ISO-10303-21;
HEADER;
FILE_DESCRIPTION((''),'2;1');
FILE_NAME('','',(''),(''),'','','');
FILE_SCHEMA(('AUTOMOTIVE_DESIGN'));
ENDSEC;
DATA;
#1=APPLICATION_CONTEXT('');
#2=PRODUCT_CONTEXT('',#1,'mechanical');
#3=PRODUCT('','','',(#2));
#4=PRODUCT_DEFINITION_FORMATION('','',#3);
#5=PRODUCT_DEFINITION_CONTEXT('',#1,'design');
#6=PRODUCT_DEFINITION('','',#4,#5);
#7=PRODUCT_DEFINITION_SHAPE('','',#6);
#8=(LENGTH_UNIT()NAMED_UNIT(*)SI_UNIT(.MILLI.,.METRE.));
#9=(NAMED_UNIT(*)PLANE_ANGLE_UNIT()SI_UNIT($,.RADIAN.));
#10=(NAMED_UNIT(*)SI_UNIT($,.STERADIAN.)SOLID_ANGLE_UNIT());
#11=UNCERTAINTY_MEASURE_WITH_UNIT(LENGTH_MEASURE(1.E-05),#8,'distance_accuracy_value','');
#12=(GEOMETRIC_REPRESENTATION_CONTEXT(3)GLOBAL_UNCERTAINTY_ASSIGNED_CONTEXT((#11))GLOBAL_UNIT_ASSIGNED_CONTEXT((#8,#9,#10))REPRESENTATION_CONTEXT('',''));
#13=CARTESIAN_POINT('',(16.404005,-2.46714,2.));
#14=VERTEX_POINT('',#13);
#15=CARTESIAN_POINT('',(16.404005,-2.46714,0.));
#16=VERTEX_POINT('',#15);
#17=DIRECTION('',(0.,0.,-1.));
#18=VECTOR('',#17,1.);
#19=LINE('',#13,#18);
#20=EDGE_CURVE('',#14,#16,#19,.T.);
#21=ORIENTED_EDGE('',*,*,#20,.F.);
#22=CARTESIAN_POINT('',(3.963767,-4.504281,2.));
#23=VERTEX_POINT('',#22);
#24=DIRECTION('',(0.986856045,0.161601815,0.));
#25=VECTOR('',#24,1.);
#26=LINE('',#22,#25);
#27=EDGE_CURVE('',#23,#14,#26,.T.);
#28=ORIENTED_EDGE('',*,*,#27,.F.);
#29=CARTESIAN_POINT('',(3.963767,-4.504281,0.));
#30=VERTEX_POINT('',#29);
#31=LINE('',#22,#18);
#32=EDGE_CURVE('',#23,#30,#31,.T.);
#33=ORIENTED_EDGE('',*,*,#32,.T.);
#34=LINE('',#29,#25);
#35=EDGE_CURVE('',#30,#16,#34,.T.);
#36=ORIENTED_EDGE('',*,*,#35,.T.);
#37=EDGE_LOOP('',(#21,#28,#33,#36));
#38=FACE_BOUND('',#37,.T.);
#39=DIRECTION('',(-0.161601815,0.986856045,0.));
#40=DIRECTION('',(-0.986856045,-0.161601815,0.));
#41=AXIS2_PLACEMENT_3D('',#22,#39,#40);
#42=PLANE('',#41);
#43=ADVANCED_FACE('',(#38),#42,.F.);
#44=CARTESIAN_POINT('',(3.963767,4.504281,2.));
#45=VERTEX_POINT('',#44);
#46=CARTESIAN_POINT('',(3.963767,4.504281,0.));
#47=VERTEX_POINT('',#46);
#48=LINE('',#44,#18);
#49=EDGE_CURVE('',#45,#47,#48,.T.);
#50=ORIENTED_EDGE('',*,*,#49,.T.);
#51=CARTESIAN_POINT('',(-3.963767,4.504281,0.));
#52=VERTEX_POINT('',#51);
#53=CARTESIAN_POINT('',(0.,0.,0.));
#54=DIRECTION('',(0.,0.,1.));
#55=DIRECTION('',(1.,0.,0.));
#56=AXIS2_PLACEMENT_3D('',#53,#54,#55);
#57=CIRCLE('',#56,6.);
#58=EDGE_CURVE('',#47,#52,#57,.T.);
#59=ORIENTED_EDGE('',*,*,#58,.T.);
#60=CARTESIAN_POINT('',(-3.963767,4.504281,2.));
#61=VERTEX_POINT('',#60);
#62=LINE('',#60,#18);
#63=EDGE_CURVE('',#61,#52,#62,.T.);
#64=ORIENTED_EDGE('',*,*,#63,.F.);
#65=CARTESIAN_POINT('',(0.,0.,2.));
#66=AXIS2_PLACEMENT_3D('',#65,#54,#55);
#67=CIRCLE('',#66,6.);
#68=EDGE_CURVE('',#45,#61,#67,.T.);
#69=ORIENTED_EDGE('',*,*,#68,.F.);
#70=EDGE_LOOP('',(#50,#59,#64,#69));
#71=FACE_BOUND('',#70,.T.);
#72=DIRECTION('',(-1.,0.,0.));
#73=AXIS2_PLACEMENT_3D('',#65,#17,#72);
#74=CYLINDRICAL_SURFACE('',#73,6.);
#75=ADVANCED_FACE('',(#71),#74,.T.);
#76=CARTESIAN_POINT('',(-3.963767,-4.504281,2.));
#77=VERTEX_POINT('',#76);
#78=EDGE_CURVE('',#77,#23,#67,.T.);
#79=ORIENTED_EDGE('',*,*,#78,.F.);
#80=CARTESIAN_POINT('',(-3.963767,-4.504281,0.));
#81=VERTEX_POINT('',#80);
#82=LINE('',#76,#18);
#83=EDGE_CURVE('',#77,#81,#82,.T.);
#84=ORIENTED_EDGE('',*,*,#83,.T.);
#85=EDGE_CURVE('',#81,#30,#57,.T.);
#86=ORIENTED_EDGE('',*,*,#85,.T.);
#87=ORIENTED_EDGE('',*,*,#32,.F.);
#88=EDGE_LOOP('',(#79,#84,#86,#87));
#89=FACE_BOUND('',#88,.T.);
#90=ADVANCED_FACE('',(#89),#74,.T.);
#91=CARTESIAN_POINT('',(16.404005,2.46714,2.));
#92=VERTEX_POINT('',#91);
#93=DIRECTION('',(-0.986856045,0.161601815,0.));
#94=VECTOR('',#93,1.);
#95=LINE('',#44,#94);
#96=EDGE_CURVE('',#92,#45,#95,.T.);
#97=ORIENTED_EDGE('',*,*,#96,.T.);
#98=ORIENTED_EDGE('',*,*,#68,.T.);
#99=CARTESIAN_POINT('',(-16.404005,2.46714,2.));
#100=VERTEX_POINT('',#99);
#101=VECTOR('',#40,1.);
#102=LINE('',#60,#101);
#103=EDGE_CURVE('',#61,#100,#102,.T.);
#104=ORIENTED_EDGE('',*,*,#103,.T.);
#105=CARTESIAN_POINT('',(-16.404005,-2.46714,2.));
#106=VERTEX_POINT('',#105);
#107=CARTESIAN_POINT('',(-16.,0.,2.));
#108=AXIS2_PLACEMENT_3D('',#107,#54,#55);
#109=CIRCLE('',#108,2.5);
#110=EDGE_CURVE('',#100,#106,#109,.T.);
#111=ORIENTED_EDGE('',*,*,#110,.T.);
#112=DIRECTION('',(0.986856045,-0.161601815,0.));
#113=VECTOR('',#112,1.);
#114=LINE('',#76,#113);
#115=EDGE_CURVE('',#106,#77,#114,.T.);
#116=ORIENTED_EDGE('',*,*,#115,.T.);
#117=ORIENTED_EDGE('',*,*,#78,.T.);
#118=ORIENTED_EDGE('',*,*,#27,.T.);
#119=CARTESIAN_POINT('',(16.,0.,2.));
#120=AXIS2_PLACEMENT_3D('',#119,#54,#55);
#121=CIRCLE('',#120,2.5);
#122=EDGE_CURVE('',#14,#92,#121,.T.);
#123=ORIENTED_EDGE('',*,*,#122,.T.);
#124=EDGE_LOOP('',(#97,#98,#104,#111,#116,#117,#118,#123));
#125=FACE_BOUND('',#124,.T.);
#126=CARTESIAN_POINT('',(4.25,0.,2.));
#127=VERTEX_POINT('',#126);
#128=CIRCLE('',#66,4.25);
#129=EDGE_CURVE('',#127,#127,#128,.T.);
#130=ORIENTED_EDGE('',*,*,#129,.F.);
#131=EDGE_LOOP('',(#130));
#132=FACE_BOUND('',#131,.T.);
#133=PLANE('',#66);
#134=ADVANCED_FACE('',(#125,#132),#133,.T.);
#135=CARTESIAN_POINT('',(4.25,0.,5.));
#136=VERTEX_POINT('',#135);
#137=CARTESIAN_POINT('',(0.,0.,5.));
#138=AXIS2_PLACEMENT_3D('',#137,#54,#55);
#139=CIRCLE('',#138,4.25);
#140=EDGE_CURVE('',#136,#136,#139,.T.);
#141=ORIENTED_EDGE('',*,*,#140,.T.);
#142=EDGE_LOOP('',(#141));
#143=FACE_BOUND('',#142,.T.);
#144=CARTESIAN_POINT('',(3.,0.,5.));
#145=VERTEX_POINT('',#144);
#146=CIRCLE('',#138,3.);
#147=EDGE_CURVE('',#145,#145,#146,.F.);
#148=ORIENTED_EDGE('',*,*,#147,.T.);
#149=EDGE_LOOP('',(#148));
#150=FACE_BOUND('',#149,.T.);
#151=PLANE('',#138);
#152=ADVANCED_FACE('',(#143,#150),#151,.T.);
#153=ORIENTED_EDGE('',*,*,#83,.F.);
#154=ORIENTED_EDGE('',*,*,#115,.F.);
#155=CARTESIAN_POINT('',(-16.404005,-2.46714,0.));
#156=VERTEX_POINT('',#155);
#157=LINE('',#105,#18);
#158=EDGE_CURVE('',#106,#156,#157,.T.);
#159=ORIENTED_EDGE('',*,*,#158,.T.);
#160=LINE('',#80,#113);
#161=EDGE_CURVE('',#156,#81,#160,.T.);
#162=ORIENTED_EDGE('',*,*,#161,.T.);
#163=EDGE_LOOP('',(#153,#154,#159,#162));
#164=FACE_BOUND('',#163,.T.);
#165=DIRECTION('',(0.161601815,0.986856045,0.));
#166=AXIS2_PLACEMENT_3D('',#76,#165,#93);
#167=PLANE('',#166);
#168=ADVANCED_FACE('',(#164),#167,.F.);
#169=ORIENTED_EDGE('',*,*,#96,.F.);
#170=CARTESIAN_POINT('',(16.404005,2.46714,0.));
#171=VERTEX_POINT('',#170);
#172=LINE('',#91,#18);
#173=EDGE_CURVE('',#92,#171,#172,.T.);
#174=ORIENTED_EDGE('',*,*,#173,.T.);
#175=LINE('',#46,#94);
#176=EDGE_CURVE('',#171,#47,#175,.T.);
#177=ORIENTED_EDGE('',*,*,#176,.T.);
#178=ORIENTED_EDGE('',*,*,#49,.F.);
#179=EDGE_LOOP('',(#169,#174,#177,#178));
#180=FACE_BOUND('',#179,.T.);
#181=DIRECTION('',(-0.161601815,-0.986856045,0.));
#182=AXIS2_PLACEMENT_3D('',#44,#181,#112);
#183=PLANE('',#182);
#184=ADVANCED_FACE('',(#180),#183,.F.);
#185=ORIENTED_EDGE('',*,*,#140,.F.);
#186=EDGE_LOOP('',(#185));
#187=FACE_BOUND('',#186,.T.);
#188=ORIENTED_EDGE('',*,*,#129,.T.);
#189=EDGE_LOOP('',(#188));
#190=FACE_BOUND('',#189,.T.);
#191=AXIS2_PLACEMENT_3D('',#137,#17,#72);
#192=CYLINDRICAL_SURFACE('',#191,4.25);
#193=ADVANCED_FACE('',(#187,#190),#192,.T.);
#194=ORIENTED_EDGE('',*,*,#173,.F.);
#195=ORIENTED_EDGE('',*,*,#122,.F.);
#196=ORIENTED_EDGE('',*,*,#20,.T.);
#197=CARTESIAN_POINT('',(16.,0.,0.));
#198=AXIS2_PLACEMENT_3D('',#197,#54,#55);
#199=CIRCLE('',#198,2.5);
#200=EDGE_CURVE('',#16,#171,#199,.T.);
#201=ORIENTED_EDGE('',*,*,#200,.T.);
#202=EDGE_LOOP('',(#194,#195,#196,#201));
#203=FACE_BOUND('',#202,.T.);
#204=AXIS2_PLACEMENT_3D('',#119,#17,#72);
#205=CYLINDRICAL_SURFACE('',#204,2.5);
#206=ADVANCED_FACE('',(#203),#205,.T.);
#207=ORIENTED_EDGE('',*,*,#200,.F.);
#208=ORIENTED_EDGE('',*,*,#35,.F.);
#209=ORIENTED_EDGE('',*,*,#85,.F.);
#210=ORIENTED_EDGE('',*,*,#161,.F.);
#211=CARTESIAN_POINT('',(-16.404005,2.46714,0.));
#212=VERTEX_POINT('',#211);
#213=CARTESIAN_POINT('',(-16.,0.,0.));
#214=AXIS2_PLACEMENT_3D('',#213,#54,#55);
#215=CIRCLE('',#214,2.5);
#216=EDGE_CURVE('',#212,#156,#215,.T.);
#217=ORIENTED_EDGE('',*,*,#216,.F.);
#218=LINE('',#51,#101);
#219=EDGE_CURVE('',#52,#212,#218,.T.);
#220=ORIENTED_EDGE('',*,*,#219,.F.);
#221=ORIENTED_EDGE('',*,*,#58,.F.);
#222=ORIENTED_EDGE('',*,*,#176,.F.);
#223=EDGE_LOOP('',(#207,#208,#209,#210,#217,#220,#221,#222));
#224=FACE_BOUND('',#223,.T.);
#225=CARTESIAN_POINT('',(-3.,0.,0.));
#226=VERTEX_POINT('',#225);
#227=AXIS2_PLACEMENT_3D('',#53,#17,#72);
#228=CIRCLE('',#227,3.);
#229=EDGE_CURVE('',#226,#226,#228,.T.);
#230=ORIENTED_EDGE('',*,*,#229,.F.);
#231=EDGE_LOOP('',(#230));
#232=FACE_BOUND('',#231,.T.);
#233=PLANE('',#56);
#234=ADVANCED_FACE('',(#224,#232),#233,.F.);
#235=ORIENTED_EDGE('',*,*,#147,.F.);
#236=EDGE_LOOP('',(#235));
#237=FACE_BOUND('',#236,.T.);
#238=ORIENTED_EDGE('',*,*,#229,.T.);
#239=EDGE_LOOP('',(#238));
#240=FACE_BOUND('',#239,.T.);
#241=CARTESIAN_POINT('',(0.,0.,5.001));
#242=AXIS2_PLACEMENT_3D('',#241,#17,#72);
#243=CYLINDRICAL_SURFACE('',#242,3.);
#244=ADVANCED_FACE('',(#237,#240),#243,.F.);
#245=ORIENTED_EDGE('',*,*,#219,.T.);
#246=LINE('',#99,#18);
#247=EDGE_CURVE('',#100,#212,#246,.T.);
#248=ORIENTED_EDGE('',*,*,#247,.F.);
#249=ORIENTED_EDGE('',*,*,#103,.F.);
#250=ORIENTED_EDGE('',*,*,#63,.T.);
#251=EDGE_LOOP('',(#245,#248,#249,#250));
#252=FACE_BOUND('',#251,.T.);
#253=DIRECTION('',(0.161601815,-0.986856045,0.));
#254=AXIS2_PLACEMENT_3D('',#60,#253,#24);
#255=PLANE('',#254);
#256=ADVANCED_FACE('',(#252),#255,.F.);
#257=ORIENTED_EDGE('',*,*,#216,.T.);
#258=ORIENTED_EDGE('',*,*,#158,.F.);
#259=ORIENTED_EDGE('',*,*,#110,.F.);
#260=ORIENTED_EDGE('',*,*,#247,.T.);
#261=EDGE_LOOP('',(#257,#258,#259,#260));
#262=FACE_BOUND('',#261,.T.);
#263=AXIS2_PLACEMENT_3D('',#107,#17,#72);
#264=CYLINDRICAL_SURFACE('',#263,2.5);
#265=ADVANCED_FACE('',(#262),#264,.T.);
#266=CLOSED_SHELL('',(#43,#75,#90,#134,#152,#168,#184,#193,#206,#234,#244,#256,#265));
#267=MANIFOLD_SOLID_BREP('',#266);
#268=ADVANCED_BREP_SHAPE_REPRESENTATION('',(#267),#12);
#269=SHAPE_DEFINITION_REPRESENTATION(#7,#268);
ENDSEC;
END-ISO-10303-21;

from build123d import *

# Parameters (mm, degrees)
BOSS_EXTRUDE1_DEPTH = 2
SKETCH2_R           = 4.25
BOSS_EXTRUDE2_DEPTH = 3
CUT_EXTRUDE1_REACH  = 22.081
SKETCH3_R           = 3


with BuildPart() as part:
    # Sketch1 → Boss-Extrude1 (new body)
    with BuildSketch(Plane.XY):
        with BuildLine():
            Line((-3.963767369, 4.504281102), (-16.404004536, 2.467140112))
            ThreePointArc((-16.404004536, 2.467140112), (-18.5, -1e-09), (-16.404004536, -2.467140113))
            Line((-16.404004536, -2.467140113), (-3.963767369, -4.504281102))
            ThreePointArc((-3.963767369, -4.504281102), (0, -6), (3.963767369, -4.504281102))
            Line((3.963767369, -4.504281102), (16.404004536, -2.467140112))
            ThreePointArc((16.404004536, -2.467140112), (18.5, 0), (16.404004536, 2.467140113))
            Line((16.404004536, 2.467140113), (3.963767369, 4.504281102))
            ThreePointArc((3.963767369, 4.504281102), (0, 6), (-3.963767369, 4.504281102))
        make_face()
    extrude(amount=BOSS_EXTRUDE1_DEPTH)

    # Sketch2 → Boss-Extrude2 (add)
    with BuildSketch(Plane.XY.offset(2)):
        Circle(SKETCH2_R)
    extrude(amount=BOSS_EXTRUDE2_DEPTH)

    # Sketch3 → Cut-Extrude1 (cut, up to next)
    with BuildSketch(Plane(origin=(0, 0, 0), x_dir=(-1, 0, 0), z_dir=(0, 0, -1)), mode=Mode.PRIVATE) as cut_extrude1_sk1:
        Circle(SKETCH3_R)
    cut_extrude1_tool1 = extrude(cut_extrude1_sk1.sketch, amount=-CUT_EXTRUDE1_REACH, mode=Mode.PRIVATE) & part.part
    add(cut_extrude1_tool1.solids().sort_by_distance((0, 0, 0))[0], mode=Mode.SUBTRACT)


solid = part.part
